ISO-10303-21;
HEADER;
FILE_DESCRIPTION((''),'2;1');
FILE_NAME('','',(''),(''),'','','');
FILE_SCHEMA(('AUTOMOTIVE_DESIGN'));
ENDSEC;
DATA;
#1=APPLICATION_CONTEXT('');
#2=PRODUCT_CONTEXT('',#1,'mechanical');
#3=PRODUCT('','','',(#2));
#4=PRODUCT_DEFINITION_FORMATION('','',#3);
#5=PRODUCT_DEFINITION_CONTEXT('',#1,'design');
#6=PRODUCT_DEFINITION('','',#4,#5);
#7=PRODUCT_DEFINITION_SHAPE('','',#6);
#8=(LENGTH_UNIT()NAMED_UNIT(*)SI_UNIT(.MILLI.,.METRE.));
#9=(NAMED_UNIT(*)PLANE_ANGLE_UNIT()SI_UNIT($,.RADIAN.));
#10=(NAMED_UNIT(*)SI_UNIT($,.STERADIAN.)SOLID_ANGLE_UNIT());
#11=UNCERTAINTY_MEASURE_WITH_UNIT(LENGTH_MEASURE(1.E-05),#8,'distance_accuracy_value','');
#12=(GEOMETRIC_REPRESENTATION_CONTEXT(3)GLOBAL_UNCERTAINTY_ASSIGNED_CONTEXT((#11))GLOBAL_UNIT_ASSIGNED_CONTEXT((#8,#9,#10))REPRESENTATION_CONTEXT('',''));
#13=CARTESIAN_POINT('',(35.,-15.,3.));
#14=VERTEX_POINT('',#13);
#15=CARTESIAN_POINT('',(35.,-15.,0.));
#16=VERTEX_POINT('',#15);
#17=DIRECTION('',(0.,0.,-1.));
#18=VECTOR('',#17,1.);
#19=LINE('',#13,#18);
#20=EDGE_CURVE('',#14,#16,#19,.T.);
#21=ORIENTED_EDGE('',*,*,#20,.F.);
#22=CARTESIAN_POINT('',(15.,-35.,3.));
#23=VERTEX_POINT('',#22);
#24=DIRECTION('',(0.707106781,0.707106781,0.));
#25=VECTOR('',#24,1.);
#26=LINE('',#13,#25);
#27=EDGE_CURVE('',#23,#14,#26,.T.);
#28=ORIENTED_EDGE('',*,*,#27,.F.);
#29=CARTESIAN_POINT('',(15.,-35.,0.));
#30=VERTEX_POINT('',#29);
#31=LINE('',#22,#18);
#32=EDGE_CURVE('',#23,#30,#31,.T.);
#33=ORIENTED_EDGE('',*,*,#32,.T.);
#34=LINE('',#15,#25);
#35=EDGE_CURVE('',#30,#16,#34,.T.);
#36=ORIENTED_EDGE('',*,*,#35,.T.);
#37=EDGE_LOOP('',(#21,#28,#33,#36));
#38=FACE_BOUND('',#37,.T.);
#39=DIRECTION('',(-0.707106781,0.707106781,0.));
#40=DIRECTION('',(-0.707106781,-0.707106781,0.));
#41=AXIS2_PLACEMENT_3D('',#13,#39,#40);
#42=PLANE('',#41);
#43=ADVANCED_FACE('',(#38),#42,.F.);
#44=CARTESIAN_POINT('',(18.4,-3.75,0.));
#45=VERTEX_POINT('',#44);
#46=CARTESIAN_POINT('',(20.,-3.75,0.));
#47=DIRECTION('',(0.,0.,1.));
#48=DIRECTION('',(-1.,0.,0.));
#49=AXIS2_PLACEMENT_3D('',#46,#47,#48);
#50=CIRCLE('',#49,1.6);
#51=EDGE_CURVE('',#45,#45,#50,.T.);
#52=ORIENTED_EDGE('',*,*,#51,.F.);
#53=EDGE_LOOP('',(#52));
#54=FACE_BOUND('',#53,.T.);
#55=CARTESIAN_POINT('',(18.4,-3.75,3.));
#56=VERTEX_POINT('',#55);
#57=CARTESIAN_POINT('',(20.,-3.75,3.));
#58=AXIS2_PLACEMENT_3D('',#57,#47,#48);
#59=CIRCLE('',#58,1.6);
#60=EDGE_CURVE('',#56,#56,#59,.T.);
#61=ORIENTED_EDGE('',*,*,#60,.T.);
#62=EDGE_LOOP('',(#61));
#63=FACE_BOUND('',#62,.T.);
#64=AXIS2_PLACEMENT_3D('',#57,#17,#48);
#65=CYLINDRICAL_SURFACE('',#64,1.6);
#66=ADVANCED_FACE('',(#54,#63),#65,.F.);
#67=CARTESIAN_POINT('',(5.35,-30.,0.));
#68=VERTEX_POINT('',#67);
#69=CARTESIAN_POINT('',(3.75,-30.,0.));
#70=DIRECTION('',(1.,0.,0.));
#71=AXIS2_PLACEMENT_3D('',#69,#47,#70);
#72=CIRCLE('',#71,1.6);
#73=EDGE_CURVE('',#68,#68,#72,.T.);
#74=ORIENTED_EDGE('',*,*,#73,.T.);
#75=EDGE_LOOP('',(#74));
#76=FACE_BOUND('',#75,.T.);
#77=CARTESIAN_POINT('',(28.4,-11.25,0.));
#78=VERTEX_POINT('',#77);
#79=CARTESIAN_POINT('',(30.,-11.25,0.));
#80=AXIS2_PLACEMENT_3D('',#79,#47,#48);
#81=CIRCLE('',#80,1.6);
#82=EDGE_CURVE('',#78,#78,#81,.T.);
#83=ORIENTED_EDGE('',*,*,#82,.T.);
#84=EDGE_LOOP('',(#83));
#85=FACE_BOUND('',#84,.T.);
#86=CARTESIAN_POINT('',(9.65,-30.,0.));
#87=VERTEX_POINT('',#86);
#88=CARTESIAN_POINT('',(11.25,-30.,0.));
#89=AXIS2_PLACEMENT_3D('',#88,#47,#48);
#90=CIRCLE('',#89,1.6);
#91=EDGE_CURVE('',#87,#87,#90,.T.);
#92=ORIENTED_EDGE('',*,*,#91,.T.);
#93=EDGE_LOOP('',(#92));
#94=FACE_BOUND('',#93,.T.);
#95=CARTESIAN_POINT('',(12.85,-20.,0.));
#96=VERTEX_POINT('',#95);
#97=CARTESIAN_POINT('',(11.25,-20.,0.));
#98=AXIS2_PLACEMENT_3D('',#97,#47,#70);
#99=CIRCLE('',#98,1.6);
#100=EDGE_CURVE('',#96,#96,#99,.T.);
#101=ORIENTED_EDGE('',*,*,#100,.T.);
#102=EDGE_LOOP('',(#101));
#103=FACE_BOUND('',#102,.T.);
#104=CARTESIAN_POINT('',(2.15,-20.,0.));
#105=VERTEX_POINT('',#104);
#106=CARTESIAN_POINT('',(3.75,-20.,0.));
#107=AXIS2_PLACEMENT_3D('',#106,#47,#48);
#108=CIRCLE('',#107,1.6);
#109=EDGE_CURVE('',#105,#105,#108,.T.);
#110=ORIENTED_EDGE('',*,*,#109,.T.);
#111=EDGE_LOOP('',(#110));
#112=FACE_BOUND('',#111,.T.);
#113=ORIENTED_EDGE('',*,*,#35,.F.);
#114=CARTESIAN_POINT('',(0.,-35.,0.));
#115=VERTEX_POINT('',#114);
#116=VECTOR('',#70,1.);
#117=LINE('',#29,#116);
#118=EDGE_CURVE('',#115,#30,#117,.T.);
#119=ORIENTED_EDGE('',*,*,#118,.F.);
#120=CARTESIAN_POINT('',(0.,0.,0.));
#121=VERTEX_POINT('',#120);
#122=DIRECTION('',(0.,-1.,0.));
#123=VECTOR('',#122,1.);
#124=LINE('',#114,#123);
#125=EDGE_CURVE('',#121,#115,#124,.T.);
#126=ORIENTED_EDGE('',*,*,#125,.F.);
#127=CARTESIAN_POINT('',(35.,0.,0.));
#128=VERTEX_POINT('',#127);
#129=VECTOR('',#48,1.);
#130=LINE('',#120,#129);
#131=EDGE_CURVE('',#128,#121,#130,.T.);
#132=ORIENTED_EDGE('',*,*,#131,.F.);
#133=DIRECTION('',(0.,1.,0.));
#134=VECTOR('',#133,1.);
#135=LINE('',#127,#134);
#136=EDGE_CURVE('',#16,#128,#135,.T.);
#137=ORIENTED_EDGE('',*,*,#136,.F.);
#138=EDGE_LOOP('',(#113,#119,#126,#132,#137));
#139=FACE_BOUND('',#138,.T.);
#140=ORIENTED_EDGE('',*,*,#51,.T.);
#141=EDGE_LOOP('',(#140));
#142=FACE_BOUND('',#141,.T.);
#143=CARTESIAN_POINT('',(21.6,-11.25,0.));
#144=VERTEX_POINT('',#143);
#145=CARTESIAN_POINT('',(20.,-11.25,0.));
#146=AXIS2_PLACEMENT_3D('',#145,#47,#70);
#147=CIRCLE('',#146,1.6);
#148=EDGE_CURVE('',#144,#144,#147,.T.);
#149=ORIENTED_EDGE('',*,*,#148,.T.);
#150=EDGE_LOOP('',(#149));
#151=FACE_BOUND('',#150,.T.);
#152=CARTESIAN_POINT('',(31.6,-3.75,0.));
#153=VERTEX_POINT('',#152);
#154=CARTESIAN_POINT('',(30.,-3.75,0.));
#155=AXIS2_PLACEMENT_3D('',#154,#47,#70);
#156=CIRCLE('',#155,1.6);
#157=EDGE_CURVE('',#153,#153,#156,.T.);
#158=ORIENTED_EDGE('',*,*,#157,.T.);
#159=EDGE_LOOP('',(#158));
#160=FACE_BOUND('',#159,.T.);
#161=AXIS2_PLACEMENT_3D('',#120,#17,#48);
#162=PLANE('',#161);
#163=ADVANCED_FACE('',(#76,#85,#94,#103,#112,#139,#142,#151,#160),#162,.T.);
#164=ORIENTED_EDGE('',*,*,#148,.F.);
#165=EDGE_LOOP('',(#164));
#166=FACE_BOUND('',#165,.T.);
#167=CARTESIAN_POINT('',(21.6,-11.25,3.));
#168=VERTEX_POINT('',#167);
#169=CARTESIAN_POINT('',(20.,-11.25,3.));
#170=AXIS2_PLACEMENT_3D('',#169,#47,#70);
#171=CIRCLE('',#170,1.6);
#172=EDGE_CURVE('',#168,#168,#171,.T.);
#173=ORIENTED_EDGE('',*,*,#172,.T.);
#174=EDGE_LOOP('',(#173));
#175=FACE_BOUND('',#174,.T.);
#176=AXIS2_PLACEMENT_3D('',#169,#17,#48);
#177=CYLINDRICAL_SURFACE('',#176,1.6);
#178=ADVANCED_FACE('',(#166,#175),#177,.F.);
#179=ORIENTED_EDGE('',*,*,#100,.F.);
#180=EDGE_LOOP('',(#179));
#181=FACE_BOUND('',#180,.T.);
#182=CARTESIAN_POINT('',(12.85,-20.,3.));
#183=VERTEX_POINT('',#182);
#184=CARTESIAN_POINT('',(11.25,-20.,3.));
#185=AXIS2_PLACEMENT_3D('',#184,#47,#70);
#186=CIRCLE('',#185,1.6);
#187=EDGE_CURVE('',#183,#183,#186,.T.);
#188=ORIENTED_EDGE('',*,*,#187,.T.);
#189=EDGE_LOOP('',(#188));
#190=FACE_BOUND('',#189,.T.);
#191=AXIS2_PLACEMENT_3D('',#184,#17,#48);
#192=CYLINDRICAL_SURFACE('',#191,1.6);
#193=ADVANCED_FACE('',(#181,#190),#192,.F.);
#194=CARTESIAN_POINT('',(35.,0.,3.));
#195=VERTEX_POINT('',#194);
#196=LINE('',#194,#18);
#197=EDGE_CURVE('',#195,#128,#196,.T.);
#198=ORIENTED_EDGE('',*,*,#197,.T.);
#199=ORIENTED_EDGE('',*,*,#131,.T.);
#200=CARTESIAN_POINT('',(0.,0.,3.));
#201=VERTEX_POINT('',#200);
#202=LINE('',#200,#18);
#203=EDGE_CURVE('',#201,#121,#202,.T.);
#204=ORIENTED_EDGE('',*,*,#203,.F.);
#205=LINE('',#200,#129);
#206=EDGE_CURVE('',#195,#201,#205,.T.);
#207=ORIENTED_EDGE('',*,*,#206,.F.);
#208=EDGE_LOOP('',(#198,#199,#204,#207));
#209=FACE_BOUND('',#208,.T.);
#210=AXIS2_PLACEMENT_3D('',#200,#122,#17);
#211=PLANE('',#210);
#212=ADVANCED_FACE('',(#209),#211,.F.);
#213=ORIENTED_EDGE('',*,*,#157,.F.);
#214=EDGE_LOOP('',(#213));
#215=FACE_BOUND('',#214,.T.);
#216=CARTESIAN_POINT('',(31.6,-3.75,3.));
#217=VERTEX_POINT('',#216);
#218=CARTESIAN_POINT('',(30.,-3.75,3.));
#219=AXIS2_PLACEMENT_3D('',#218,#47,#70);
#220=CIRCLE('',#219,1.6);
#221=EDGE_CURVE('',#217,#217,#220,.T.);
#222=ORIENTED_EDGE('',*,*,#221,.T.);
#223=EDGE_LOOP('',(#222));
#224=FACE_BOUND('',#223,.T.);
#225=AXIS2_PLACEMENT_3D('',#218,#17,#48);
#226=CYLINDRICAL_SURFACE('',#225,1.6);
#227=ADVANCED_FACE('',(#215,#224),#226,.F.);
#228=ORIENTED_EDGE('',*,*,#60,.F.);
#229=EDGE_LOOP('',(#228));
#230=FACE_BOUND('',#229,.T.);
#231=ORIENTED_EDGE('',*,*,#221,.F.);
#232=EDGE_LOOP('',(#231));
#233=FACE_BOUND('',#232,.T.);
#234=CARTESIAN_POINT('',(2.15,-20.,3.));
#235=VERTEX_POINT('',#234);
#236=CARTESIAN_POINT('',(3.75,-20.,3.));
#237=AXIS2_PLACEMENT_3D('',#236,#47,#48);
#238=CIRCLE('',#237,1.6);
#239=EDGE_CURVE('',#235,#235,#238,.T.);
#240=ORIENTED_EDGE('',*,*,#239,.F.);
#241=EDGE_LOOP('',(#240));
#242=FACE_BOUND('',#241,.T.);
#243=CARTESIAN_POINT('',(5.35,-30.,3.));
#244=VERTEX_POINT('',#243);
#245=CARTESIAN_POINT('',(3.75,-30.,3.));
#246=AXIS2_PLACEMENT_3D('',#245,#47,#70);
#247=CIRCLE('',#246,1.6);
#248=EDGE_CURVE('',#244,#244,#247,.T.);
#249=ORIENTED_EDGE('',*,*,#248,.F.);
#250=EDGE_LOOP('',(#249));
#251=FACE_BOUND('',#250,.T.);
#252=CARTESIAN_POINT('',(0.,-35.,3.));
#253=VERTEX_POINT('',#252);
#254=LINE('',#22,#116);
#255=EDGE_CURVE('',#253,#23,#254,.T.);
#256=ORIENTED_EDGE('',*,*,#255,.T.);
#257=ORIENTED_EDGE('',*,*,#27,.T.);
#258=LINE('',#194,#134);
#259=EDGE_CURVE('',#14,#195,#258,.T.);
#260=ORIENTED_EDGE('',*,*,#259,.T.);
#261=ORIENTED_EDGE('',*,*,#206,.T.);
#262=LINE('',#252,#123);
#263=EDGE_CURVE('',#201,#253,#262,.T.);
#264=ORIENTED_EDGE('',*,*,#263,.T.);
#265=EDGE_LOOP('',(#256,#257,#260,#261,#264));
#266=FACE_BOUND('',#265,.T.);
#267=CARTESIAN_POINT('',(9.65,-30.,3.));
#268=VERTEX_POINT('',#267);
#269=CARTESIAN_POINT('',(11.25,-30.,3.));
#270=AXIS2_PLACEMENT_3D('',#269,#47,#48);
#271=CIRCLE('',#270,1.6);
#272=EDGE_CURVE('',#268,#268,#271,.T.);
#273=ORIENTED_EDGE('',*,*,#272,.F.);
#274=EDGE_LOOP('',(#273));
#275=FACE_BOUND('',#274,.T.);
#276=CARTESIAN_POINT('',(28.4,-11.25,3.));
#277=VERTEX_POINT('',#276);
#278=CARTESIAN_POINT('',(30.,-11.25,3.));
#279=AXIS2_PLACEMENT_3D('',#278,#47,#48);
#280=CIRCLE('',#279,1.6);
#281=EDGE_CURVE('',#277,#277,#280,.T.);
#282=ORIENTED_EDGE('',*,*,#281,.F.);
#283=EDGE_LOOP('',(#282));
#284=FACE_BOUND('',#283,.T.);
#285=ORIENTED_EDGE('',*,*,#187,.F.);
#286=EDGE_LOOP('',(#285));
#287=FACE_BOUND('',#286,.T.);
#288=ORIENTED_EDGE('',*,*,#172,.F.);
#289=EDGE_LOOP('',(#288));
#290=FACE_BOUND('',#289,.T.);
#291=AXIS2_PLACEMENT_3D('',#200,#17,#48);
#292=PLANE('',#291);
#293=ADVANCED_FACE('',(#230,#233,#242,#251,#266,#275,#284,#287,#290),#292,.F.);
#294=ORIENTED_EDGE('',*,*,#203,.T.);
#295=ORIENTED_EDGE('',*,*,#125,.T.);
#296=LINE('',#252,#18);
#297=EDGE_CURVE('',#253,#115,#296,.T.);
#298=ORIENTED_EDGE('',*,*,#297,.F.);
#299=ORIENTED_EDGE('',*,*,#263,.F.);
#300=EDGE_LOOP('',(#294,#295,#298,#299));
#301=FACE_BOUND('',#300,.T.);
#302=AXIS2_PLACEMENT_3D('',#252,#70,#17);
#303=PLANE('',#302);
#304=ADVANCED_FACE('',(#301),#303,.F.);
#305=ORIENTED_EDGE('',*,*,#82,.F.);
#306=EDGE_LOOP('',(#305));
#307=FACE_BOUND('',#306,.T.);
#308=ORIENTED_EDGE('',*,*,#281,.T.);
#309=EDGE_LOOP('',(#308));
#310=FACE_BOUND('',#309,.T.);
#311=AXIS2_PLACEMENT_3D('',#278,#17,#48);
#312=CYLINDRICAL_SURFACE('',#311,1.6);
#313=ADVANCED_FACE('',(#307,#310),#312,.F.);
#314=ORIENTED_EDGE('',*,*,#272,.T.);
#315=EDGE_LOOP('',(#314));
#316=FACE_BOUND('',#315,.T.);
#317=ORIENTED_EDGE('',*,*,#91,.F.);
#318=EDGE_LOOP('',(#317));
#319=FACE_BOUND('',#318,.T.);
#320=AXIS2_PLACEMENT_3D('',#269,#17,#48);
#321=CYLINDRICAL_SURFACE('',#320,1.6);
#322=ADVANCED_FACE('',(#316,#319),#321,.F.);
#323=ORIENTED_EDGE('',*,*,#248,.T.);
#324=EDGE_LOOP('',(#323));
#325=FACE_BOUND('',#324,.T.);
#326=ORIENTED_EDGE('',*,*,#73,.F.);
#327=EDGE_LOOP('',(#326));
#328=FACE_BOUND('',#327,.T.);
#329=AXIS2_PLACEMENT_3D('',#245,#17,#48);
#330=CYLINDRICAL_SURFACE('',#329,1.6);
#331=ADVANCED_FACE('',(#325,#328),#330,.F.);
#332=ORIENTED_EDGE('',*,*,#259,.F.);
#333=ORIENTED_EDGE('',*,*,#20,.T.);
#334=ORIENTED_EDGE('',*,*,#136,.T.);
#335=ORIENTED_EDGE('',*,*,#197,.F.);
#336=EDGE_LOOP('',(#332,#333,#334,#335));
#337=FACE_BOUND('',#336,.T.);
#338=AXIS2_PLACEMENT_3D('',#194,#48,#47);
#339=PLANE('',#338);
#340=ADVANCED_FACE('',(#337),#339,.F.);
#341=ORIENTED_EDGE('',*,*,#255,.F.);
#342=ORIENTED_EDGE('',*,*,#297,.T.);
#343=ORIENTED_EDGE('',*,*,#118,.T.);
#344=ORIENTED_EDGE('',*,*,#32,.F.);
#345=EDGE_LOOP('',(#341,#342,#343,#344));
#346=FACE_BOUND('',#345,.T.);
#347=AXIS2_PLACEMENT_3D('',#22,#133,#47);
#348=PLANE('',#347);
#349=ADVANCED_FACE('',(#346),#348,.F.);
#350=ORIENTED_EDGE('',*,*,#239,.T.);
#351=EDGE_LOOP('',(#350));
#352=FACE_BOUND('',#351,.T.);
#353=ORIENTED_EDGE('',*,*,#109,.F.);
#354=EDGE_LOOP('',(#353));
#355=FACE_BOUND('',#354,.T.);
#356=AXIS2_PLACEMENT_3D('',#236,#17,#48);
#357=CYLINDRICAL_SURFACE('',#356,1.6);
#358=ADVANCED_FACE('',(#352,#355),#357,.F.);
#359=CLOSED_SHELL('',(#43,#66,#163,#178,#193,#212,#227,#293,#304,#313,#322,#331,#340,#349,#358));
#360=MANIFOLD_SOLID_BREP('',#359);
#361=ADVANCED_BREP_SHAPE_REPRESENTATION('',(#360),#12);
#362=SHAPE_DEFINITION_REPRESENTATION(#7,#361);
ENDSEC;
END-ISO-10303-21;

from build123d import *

# Parameters (mm, degrees)
SKETCH_1_R      = 1.6
EXTRUDE_1_DEPTH = 3


with BuildPart() as part:
    # 草图1 → 凸台-拉伸1 (new body)
    with BuildSketch(Plane.XY):
        Polygon((0, 0), (35, 0), (35, -15), (15, -35), (0, -35), align=None)
        with Locations((3.75, -30)):
            Circle(SKETCH_1_R, mode=Mode.SUBTRACT)
        with Locations(Location((11.25, -30, 0), (0, 0, 180))):
            Circle(SKETCH_1_R, mode=Mode.SUBTRACT)
        with Locations((11.25, -20)):
            Circle(SKETCH_1_R, mode=Mode.SUBTRACT)
        with Locations(Location((3.75, -20, 0), (0, 0, 180))):
            Circle(SKETCH_1_R, mode=Mode.SUBTRACT)
        with Locations((30, -3.75)):
            Circle(SKETCH_1_R, mode=Mode.SUBTRACT)
        with Locations(Location((30, -11.25, 0), (0, 0, 180))):
            Circle(SKETCH_1_R, mode=Mode.SUBTRACT)
        with Locations((20, -11.25)):
            Circle(SKETCH_1_R, mode=Mode.SUBTRACT)
        with Locations(Location((20, -3.75, 0), (0, 0, 180))):
            Circle(SKETCH_1_R, mode=Mode.SUBTRACT)
    extrude(amount=EXTRUDE_1_DEPTH)


solid = part.part
